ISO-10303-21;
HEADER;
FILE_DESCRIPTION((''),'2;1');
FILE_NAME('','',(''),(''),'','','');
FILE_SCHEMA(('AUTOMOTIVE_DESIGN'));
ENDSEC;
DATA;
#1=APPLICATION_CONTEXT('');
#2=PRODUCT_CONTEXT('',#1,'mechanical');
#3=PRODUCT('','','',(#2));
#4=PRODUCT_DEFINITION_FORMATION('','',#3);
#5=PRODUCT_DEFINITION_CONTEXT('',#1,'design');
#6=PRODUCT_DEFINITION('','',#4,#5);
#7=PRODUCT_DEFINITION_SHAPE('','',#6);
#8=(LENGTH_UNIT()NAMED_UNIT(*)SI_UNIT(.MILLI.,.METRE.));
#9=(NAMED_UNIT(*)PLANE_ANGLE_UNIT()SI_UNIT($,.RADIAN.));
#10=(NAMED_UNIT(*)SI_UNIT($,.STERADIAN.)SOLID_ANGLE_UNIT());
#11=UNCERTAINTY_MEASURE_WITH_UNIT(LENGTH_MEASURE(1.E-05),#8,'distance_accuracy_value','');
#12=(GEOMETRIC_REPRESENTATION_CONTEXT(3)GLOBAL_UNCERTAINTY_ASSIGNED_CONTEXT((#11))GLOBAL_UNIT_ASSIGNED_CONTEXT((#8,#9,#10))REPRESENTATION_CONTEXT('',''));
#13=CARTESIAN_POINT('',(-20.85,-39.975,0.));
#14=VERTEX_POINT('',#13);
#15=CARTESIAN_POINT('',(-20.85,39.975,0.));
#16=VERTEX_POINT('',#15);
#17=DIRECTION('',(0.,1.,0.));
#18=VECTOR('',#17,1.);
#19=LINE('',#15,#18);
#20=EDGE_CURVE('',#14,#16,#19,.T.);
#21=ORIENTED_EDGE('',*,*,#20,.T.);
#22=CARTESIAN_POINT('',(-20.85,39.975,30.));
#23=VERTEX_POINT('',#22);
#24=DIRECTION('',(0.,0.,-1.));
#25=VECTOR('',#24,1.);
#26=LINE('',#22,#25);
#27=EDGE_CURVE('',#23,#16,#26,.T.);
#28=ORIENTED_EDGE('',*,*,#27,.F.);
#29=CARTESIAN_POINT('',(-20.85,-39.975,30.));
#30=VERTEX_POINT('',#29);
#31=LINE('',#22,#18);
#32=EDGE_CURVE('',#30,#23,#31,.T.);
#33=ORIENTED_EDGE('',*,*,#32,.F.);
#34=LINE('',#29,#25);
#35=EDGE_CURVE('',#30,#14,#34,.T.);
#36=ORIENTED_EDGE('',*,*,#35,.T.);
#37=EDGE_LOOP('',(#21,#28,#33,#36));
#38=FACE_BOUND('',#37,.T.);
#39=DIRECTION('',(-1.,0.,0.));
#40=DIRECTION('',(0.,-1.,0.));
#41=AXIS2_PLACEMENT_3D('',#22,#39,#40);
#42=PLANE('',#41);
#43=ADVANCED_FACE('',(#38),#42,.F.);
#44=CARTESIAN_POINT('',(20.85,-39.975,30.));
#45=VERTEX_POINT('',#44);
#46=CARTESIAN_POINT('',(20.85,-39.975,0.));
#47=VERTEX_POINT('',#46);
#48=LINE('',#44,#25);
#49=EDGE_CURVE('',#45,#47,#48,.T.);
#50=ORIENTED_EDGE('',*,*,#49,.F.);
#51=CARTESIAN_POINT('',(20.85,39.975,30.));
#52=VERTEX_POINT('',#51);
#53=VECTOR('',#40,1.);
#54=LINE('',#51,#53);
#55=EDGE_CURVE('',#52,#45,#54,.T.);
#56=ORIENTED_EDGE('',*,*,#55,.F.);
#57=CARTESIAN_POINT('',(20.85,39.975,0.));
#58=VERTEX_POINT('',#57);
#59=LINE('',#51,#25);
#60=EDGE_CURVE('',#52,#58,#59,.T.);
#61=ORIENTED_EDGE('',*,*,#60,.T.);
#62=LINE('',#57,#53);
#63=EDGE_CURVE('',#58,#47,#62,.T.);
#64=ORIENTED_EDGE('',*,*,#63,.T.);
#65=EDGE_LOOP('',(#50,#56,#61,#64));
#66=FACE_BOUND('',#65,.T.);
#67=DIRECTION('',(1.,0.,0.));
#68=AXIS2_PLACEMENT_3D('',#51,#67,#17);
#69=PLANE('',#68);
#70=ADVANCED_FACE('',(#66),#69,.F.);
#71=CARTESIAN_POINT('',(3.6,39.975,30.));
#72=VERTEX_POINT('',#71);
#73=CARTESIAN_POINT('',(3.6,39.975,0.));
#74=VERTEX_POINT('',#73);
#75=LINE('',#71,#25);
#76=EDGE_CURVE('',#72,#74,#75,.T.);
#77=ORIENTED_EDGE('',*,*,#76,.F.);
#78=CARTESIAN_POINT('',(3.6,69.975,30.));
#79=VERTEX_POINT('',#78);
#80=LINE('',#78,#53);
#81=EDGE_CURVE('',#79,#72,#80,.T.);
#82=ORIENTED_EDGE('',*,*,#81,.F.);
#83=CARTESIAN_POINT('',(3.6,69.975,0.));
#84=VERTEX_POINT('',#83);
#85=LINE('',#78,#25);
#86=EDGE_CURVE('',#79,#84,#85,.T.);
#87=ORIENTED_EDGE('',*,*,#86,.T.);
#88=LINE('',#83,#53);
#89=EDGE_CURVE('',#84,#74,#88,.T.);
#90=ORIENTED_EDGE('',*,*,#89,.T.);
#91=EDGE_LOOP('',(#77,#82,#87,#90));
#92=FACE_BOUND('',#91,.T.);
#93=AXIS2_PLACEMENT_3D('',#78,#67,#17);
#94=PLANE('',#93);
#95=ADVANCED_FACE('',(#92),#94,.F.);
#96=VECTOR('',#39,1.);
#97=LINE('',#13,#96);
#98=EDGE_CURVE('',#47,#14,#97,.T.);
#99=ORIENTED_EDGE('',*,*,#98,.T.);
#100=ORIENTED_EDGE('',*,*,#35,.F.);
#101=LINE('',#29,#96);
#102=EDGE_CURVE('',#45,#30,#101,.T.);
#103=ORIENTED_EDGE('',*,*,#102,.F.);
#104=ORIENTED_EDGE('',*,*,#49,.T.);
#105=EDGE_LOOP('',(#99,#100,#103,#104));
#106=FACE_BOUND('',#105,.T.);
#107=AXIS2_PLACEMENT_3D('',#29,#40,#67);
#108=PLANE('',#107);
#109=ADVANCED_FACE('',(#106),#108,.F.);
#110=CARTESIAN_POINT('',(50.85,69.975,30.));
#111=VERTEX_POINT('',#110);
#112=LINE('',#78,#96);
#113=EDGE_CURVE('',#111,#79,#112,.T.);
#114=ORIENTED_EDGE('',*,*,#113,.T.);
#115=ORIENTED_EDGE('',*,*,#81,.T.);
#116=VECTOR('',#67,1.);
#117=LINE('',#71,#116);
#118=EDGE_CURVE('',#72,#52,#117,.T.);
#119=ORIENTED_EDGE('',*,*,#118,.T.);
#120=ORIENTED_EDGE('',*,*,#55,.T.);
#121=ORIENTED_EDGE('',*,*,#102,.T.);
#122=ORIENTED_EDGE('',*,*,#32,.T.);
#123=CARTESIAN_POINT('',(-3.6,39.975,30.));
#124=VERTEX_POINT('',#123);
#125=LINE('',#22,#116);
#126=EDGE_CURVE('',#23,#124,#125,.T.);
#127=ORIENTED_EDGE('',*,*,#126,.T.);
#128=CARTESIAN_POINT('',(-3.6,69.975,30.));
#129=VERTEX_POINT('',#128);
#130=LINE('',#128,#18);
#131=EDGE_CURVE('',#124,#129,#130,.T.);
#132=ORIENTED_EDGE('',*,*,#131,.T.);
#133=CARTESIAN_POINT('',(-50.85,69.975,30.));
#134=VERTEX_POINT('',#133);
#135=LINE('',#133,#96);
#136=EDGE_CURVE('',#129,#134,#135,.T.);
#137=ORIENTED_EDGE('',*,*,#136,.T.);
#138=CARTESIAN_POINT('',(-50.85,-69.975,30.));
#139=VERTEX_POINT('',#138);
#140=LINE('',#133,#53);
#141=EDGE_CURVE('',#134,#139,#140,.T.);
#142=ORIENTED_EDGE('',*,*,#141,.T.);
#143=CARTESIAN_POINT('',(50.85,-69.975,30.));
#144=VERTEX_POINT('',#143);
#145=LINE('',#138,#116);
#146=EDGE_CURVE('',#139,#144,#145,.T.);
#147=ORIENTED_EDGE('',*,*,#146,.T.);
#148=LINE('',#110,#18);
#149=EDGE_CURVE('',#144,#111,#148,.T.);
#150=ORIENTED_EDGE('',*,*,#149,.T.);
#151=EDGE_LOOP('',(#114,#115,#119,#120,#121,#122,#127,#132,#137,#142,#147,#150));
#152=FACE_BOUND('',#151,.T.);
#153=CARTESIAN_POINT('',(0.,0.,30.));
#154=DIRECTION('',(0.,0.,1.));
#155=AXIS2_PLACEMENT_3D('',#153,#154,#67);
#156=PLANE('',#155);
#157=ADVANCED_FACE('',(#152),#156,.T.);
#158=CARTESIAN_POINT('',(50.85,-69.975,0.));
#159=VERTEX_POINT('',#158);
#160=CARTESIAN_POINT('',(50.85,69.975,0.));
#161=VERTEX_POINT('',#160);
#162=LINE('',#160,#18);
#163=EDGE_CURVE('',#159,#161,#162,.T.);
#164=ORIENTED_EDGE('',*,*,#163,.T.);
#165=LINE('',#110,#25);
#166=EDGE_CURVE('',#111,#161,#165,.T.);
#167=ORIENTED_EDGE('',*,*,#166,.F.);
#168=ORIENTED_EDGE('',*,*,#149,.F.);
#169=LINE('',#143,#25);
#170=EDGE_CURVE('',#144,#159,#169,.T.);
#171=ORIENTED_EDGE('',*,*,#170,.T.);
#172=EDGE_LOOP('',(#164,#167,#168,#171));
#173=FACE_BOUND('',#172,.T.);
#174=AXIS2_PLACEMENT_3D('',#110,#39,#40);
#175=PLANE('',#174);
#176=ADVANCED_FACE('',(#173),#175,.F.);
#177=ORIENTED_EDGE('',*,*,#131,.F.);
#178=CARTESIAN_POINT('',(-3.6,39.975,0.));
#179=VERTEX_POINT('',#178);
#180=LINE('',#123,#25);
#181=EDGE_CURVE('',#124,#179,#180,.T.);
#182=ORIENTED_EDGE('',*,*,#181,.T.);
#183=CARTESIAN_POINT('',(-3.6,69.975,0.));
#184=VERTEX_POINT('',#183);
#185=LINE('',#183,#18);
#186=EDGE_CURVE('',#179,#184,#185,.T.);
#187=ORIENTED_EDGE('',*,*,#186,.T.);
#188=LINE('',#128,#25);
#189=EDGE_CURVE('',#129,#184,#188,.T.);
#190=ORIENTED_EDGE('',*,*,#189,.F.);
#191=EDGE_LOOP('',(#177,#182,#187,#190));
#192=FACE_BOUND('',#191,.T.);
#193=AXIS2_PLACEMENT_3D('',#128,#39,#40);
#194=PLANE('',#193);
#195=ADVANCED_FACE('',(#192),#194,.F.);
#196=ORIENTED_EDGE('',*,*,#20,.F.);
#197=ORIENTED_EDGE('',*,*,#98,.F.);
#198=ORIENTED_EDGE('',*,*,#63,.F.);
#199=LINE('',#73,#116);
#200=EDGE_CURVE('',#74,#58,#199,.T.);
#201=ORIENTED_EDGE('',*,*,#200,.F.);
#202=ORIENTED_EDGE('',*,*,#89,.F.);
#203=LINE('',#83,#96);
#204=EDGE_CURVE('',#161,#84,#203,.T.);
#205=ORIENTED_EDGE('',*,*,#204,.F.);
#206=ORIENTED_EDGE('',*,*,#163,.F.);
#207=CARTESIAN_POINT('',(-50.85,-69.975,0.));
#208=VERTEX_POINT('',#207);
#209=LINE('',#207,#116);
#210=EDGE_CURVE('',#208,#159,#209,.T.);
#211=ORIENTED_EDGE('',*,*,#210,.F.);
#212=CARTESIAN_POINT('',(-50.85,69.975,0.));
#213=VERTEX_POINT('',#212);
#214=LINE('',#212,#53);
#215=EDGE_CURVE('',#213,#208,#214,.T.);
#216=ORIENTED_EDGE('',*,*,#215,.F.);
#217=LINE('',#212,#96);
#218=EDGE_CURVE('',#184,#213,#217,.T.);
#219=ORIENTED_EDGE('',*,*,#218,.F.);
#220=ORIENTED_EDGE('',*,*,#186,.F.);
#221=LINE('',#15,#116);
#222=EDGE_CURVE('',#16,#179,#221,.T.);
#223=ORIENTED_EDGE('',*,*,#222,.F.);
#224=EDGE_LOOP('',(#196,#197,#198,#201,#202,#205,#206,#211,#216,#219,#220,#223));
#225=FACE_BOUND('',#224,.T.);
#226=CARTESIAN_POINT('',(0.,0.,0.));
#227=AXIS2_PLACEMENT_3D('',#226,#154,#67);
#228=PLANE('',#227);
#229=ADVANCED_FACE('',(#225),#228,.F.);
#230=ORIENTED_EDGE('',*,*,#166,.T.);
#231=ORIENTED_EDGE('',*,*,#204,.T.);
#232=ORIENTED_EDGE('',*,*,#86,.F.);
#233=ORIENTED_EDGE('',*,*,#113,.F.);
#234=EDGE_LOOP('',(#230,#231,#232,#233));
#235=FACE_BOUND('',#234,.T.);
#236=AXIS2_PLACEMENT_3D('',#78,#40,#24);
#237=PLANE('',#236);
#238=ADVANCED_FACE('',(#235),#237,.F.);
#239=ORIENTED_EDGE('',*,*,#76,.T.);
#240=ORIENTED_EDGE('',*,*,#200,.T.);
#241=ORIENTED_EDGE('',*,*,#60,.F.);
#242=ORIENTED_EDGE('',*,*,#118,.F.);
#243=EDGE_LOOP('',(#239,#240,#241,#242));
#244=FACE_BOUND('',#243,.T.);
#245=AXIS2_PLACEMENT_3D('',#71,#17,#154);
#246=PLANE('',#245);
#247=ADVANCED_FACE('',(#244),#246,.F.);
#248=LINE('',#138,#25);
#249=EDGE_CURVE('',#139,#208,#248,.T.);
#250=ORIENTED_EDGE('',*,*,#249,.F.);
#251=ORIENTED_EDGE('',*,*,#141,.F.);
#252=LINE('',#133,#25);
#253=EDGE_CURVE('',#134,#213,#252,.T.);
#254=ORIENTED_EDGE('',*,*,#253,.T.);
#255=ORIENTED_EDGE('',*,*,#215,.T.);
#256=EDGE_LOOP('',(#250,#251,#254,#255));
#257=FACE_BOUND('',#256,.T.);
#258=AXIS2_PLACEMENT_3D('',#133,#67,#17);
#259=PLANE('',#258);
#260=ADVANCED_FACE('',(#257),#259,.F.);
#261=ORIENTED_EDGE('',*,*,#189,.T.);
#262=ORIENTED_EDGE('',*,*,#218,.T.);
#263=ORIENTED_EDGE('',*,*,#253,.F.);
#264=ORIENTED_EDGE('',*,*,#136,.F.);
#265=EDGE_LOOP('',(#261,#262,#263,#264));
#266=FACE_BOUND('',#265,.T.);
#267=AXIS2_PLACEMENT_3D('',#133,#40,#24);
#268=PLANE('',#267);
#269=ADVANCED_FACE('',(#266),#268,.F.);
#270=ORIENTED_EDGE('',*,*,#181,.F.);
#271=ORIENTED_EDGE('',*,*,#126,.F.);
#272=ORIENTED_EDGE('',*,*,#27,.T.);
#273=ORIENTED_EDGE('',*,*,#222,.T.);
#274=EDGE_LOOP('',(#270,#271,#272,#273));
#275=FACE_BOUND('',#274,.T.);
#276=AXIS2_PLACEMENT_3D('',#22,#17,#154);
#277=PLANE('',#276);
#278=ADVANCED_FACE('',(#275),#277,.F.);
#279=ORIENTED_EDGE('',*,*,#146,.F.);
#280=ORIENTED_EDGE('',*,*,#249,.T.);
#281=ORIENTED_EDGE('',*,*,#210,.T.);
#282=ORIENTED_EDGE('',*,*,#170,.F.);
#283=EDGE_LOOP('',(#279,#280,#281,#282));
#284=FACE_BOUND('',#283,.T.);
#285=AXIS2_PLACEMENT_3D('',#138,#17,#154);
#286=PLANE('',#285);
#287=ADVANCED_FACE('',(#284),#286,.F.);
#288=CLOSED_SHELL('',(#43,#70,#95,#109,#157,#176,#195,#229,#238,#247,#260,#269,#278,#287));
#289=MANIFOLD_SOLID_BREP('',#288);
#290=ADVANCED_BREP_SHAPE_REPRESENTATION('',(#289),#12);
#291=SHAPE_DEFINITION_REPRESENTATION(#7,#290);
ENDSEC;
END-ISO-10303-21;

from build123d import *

# Parameters (mm, degrees)
AUFSATZ_LINEAR_AUSTRAGEN1_DEPTH = 30


with BuildPart() as part:
    # Skizze1 → Aufsatz-Linear austragen1 (new body)
    with BuildSketch(Plane.XY):
        Polygon((-20.85, 39.975), (-20.85, -39.975), (20.85, -39.975), (20.85, 39.975), (3.6, 39.975), (3.6, 69.975), (50.85, 69.975), (50.85, -69.975), (-50.85, -69.975), (-50.85, 69.975), (-3.6, 69.975), (-3.6, 39.975), align=None)
    extrude(amount=AUFSATZ_LINEAR_AUSTRAGEN1_DEPTH)


solid = part.part
